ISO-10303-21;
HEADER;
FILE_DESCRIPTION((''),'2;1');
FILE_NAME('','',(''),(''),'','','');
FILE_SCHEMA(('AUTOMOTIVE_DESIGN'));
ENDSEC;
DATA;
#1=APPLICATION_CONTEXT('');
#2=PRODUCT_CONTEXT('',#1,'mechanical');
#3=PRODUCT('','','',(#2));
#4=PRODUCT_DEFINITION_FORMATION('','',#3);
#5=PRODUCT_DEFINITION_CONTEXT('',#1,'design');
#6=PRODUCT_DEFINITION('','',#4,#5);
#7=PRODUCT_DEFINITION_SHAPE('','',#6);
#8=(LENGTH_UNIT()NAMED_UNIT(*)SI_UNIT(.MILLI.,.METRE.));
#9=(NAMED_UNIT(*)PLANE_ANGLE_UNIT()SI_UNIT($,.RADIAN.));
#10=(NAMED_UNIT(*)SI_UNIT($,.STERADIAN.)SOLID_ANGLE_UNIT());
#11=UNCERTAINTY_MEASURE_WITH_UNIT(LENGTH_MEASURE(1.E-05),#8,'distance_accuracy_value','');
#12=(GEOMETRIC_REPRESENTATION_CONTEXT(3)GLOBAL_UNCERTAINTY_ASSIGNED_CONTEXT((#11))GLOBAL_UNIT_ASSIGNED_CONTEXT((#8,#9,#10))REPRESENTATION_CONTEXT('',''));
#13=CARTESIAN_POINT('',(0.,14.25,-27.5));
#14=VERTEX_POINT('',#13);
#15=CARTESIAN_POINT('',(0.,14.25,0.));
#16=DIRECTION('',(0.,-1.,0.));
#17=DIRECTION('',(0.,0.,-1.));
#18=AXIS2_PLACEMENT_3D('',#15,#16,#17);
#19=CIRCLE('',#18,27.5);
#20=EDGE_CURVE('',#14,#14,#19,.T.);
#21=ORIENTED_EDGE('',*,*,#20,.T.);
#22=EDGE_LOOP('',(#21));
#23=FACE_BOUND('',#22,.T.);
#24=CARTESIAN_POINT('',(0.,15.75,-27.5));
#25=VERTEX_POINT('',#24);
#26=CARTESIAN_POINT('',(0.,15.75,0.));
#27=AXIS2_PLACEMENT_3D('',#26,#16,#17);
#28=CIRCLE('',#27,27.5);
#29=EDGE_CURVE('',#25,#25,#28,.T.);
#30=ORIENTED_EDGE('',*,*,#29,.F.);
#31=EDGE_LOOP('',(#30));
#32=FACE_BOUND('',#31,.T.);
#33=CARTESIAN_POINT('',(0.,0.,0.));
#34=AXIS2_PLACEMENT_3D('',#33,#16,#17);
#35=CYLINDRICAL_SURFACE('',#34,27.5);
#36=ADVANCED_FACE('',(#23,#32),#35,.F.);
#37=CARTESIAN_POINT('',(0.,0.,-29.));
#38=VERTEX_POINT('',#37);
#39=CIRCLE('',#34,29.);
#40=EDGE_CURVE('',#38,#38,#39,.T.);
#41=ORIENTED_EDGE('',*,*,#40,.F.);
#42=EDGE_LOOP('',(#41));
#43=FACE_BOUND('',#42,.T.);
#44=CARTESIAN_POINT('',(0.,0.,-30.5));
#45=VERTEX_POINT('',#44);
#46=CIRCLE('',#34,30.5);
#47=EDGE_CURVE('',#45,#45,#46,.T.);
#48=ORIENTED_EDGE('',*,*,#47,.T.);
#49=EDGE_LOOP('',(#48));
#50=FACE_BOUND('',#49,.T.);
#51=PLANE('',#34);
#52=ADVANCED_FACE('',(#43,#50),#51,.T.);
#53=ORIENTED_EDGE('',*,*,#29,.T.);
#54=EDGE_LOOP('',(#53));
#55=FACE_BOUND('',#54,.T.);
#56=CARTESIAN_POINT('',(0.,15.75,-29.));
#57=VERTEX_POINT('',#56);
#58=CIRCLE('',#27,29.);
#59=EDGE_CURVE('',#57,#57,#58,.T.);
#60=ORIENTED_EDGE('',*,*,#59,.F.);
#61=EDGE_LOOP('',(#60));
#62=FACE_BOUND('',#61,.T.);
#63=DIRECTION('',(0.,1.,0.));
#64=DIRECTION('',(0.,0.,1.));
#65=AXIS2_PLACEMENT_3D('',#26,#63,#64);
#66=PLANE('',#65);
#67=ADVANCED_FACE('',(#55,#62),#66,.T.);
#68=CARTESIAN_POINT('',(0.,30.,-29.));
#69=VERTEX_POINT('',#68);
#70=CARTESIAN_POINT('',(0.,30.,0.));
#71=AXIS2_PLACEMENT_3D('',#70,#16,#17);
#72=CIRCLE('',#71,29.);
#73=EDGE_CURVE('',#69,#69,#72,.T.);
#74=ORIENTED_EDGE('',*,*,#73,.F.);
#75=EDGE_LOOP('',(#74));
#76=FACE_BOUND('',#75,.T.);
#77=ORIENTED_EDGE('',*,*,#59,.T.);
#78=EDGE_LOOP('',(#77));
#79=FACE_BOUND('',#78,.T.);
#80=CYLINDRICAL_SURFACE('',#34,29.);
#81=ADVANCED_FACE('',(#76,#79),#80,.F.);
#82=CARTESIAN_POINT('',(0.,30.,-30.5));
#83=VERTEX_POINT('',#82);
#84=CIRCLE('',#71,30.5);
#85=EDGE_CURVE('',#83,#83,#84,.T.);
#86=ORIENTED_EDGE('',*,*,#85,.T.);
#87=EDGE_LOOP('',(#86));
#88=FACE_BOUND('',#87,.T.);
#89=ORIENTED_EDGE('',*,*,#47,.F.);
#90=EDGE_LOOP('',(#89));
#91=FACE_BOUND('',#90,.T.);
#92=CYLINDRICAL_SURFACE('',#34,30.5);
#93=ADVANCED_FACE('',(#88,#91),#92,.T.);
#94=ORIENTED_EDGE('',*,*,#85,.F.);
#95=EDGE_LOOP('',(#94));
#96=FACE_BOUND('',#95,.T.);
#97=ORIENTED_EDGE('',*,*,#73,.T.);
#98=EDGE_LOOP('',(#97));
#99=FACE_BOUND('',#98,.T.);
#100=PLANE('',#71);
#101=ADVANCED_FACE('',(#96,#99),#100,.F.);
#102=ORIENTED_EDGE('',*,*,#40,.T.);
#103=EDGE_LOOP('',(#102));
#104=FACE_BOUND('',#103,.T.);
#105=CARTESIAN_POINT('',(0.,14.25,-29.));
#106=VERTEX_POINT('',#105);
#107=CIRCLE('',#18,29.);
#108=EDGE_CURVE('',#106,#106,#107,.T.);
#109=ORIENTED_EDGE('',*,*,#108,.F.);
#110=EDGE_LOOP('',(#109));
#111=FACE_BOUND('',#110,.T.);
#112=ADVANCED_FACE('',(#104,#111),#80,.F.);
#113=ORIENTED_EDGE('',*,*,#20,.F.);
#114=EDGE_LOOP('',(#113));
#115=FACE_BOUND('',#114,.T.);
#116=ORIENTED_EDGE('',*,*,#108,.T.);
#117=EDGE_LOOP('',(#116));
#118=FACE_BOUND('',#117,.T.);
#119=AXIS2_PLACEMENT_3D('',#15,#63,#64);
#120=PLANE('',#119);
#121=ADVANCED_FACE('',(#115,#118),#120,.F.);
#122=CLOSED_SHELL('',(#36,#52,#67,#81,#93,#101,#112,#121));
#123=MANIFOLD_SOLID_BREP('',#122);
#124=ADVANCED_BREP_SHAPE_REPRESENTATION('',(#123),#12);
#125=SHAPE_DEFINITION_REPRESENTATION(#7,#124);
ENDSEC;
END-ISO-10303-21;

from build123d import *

# Parameters (mm, degrees)
SKETCH1_W   = 1.5
SKETCH1_H   = 1.5
SKETCH1_H_2 = 30


with BuildPart() as part:
    # Sketch1 → Revolve1 (revolve)
    with BuildSketch(Plane.XY, mode=Mode.PRIVATE) as revolve1_sk:
        with Locations((28.25, 15)):
            Rectangle(SKETCH1_W, SKETCH1_H)
        with Locations((29.75, 15)):
            Rectangle(SKETCH1_W, SKETCH1_H_2)
    revolve(revolve1_sk.sketch.rotate(Axis((0, 0, 0), (0, 1, 0)), 90), axis=Axis((0, 0, 0), (0, 1, 0)))


solid = part.part
